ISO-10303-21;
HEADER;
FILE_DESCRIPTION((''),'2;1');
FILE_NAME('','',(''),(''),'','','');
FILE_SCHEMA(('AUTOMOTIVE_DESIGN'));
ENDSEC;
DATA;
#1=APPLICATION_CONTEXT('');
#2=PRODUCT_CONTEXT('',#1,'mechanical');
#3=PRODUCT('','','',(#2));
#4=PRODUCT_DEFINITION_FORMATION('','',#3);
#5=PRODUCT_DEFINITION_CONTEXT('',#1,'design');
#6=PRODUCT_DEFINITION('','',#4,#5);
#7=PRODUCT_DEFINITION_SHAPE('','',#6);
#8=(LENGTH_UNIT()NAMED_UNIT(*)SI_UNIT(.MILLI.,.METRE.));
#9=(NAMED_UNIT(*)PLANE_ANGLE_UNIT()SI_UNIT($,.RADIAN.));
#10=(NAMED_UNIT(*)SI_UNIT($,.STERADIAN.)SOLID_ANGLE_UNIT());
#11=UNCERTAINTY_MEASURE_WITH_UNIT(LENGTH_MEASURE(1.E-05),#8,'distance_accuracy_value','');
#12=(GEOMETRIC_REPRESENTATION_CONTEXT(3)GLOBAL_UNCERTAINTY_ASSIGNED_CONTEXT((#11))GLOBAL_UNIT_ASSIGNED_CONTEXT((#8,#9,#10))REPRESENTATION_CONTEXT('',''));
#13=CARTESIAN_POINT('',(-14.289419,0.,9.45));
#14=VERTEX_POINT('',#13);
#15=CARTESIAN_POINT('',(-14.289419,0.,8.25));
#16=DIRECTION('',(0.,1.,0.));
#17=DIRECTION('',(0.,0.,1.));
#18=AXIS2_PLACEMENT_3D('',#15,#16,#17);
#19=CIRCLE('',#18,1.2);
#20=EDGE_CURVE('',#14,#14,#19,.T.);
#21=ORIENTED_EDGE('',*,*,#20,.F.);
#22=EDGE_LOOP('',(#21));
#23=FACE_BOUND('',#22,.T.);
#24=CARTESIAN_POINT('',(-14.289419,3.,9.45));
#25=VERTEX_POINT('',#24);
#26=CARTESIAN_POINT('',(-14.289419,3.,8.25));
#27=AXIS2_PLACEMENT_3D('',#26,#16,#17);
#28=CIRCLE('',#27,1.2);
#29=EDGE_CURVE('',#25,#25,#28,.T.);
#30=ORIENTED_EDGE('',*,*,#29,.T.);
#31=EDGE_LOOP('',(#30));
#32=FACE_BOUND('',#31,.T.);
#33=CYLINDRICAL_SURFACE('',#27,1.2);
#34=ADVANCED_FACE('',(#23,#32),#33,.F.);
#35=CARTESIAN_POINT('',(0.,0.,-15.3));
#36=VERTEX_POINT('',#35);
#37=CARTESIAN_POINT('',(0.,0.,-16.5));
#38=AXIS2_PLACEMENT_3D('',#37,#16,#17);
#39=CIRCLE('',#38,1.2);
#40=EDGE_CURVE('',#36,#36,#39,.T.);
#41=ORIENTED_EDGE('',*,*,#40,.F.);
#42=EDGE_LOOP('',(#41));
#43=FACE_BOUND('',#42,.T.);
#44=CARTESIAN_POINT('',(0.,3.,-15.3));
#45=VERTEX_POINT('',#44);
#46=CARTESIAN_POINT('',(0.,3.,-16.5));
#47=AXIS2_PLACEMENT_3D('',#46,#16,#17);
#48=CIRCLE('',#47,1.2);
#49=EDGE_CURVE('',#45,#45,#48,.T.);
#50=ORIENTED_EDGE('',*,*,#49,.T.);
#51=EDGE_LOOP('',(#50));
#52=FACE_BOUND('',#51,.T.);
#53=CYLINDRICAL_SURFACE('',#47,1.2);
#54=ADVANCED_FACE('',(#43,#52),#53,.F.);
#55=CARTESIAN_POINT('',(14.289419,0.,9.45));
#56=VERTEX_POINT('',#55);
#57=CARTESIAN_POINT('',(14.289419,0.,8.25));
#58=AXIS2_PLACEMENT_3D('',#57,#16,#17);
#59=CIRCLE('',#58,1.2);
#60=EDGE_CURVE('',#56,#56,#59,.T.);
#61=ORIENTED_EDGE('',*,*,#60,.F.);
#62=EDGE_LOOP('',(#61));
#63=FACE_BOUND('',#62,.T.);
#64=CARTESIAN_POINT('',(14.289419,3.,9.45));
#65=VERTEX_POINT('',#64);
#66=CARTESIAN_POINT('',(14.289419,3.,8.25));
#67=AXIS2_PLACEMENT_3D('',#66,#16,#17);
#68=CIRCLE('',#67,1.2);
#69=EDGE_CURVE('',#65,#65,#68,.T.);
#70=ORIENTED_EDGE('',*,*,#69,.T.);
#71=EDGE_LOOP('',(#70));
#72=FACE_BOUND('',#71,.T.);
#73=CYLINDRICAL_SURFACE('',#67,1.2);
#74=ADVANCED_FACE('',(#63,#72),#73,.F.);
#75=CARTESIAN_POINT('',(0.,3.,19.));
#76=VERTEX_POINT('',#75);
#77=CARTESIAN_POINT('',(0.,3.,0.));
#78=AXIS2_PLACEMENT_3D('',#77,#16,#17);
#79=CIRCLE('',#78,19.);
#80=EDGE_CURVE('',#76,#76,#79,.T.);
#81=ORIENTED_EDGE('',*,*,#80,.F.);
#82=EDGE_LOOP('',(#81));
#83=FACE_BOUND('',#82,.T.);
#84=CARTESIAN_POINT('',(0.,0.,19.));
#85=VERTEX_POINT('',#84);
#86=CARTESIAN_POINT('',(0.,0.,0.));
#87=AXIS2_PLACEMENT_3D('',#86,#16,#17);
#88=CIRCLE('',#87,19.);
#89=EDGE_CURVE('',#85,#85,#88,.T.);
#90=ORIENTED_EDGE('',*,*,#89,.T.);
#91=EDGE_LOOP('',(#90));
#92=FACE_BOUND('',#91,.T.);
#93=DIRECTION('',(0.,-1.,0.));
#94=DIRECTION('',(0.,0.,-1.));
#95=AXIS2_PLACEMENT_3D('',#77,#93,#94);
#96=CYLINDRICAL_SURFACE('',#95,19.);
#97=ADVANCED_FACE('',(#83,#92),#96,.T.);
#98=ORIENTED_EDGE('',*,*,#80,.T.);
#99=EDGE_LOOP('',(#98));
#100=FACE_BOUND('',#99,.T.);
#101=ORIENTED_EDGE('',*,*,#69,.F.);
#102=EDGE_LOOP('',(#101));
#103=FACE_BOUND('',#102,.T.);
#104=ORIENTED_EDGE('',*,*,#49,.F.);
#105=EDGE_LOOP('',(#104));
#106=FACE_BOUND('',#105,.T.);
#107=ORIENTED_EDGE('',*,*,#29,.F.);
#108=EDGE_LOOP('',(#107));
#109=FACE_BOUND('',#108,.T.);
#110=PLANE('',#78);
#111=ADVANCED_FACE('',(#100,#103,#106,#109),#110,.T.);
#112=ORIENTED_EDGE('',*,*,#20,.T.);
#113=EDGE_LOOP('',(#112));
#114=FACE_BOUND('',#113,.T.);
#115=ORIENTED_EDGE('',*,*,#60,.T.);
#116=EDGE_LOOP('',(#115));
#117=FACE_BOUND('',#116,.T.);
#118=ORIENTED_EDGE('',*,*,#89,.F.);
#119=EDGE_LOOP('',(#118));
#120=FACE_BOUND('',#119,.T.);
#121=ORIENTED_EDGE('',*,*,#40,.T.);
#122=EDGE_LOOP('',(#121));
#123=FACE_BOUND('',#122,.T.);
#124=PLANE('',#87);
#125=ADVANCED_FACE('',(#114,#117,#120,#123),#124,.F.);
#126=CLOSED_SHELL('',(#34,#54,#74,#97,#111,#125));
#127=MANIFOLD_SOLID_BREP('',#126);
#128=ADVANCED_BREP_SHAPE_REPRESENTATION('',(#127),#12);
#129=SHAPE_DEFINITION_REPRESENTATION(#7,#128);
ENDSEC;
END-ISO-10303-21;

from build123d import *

# Parameters (mm, degrees)
SKETCH_1_R         = 19
EXTRUDE_1_DEPTH    = 3
HOLE_WIZARD_M2_1_D = 2.4


with BuildPart() as part:
    # 스케치1 → 보스-돌출1 (new body)
    with BuildSketch(Plane(origin=(0, 0, 0), x_dir=(1, 0, 0), z_dir=(0, 1, 0))):
        Circle(SKETCH_1_R)
    extrude(amount=EXTRUDE_1_DEPTH)

    # M2 여유 구멍1 (through all)
    with Locations(Plane(origin=(0, 3, 0), x_dir=(1, 0, 0), z_dir=(0, 1, 0))):
        with Locations((14.289419162, -8.25), (0, 16.5), (-14.289419162, -8.25)):
            Hole(HOLE_WIZARD_M2_1_D / 2)


solid = part.part
